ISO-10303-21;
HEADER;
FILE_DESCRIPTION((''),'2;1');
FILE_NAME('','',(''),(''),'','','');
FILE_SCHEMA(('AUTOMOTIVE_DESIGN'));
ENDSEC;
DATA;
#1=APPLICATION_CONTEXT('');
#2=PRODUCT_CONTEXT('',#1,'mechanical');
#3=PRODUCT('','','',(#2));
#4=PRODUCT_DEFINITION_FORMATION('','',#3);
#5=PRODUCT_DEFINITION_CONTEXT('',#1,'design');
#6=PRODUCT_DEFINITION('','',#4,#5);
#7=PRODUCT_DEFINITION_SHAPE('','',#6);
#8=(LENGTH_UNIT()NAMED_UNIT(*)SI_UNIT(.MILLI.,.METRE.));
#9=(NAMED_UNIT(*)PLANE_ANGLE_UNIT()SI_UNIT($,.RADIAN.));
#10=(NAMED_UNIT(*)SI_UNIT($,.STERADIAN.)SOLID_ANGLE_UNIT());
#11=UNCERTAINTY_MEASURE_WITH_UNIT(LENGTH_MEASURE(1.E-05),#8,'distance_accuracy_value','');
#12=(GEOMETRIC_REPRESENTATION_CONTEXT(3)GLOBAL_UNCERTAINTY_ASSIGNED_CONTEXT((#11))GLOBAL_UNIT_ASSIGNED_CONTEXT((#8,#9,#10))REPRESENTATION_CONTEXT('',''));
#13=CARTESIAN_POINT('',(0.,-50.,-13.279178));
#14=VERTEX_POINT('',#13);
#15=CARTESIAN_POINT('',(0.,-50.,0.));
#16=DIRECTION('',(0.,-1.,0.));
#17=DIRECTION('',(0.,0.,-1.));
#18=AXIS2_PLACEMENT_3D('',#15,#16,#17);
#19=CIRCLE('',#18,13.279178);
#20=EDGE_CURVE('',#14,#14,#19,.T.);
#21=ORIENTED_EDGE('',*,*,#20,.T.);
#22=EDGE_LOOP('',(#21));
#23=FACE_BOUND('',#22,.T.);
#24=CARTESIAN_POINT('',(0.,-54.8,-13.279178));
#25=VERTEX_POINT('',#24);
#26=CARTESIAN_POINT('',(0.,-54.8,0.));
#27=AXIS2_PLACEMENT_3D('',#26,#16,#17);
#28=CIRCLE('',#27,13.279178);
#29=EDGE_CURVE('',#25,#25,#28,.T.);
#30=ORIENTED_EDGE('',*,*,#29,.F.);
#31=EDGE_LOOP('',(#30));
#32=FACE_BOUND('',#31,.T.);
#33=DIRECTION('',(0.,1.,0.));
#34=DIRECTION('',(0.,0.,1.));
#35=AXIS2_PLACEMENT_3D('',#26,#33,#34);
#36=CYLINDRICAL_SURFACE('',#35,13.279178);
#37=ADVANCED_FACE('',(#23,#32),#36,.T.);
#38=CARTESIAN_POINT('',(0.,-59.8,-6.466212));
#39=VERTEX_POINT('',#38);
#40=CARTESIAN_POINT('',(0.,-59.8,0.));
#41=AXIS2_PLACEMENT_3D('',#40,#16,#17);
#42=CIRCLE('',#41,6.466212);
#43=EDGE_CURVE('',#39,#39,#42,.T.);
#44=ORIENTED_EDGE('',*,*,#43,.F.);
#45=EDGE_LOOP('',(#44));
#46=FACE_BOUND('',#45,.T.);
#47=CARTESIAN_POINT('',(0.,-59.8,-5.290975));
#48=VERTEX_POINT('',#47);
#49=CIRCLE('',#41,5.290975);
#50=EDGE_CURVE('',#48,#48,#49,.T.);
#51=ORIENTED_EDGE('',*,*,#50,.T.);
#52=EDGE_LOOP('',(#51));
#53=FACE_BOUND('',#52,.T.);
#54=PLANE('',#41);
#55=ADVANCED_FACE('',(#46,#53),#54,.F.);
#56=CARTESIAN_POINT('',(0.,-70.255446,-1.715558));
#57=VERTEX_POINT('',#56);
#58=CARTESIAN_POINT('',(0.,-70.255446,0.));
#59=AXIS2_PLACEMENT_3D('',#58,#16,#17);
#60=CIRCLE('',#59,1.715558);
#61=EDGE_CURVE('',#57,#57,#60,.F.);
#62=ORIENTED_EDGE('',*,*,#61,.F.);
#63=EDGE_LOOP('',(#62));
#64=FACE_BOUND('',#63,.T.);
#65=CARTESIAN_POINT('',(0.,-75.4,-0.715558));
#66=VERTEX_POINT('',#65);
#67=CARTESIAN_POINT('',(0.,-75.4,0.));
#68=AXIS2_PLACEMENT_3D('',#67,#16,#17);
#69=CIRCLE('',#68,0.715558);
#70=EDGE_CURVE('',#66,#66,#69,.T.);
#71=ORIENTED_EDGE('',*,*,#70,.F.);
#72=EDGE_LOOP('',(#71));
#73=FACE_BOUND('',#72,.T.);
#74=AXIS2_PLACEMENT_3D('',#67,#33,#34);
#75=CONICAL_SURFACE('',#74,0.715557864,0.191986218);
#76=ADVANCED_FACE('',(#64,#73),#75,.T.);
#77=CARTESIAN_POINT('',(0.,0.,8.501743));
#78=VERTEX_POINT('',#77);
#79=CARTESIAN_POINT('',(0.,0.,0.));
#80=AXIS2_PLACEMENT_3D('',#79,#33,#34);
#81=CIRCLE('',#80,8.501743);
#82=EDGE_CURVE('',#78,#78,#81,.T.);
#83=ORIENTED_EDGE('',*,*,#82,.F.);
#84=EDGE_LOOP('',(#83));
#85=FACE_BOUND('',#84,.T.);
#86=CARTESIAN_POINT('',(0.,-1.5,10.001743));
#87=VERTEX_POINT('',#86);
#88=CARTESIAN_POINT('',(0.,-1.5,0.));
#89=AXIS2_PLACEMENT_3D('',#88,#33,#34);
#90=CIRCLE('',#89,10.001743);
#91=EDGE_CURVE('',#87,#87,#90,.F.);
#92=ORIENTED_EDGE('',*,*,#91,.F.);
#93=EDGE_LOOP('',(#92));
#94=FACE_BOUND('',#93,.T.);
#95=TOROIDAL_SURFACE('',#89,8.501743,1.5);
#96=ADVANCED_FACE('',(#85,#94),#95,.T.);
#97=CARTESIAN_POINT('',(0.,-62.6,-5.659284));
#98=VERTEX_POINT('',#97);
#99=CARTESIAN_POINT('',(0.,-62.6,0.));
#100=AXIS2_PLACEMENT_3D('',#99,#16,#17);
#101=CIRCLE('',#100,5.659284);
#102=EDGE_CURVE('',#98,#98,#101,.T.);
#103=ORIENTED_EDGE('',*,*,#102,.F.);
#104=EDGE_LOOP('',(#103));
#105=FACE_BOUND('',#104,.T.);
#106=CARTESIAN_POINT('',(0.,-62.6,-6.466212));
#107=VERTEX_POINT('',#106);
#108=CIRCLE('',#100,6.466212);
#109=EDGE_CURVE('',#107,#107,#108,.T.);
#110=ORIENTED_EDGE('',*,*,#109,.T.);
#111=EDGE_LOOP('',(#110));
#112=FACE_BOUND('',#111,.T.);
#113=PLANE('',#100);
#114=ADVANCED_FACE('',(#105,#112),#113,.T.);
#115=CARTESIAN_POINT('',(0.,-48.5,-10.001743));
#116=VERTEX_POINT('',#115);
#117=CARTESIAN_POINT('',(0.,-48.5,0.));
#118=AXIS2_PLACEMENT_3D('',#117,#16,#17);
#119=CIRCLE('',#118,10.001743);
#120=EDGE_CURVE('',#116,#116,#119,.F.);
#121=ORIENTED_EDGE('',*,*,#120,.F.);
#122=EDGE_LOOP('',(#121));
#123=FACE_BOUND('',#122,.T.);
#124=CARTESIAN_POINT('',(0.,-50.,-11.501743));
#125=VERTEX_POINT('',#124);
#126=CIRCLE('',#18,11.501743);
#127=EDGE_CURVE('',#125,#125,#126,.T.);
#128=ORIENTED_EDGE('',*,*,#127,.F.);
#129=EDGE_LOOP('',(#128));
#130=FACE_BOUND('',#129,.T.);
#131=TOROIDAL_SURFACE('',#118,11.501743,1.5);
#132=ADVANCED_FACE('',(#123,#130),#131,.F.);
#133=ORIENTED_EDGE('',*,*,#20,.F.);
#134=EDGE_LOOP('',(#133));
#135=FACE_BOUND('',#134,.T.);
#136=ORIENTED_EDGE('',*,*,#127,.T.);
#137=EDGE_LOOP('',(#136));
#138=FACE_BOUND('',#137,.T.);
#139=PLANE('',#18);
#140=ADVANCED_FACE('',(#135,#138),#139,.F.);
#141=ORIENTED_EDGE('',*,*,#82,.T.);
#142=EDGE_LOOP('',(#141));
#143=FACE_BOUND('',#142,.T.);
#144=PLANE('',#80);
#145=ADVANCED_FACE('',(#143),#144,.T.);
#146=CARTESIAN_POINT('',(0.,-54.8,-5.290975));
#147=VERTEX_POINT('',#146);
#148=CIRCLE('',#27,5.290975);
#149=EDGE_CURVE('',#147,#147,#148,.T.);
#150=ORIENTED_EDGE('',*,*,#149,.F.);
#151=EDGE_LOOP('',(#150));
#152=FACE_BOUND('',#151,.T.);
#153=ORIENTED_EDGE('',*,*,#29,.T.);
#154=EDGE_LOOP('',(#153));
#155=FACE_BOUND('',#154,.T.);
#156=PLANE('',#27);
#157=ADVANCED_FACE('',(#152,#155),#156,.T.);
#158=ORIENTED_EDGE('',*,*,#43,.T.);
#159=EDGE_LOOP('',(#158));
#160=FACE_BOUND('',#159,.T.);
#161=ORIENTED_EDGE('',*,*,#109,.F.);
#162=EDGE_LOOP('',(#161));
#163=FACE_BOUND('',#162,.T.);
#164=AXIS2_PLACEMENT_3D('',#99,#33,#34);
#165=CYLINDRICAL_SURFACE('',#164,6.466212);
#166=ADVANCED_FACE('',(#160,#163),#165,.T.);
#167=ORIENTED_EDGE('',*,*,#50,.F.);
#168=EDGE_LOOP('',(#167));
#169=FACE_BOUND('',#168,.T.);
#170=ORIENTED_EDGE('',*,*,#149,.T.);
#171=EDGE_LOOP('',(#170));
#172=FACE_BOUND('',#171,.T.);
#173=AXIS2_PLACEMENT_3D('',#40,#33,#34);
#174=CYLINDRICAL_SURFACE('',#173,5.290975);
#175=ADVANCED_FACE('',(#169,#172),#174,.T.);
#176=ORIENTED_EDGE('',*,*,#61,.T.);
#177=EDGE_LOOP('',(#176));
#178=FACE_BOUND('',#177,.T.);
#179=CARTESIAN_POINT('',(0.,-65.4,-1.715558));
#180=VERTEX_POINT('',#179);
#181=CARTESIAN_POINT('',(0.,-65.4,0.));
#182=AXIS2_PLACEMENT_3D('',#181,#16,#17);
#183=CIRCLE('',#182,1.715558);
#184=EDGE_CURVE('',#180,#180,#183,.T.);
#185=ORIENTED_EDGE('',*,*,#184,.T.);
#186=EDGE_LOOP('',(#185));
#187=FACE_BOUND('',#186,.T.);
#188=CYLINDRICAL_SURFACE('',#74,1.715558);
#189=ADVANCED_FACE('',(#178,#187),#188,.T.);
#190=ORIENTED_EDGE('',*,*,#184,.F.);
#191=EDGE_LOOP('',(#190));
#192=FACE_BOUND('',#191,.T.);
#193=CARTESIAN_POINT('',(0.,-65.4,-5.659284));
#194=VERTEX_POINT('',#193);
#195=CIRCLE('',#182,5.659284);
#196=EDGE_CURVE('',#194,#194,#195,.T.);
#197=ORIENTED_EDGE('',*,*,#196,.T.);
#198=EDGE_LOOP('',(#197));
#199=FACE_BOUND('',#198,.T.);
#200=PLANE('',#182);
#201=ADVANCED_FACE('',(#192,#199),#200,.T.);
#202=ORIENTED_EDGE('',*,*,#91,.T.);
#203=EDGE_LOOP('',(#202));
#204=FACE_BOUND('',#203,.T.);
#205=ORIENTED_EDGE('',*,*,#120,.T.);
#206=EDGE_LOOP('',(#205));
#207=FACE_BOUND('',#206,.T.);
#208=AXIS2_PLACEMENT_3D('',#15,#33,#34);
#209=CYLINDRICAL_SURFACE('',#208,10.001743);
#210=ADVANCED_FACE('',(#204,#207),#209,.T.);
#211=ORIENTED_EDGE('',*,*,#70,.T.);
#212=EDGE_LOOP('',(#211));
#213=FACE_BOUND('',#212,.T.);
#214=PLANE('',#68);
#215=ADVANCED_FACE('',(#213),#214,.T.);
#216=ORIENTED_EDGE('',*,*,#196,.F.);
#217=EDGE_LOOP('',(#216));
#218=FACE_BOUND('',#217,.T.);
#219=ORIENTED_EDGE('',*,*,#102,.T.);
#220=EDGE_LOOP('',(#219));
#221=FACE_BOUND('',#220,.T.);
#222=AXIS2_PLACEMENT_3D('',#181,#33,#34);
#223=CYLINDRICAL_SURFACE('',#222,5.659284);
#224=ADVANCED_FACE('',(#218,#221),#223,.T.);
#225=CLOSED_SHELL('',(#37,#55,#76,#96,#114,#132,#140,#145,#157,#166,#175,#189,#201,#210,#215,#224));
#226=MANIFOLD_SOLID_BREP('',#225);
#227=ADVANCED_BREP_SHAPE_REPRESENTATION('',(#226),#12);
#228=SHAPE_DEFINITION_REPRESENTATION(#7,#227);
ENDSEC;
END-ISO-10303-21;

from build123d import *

# Parameters (mm, degrees)
SKETCH1_R           = 10.00174333
BOSS_EXTRUDE3_DEPTH = 50
SKETCH4_R           = 13.27917762
BOSS_EXTRUDE4_DEPTH = 4.8
FILLET1_R           = 1.5
SKETCH5_R           = 5.290974817
BOSS_EXTRUDE5_DEPTH = 5
SKETCH6_R           = 6.466211651
BOSS_EXTRUDE6_DEPTH = 2.8
SKETCH7_R           = 5.659284008
BOSS_EXTRUDE7_DEPTH = 2.8
SKETCH8_R           = 1.715557864
BOSS_EXTRUDE8_DEPTH = 10
CHAMFER1_SIZE       = 1
CHAMFER1_SIZE2      = 5.144554016


with BuildPart() as part:
    # Sketch1 → Boss-Extrude3 (new body)
    with BuildSketch(Plane(origin=(0, 0, 0), x_dir=(1, 0, 0), z_dir=(0, 1, 0))):
        with Locations(Location((0, 0, 0), (0, 0, 270))):
            Circle(SKETCH1_R)
    extrude(amount=-BOSS_EXTRUDE3_DEPTH)

    # Sketch4 → Boss-Extrude4 (add)
    with BuildSketch(Plane.XZ.offset(50)):
        with Locations(Location((0, 0, 0), (0, 0, 270))):
            Circle(SKETCH4_R)
    extrude(amount=BOSS_EXTRUDE4_DEPTH)

    # Fillet1
    fillet1_edges = [part.edges().sort_by_distance(p)[0] for p in [
        (0, 0, -10.00174333),
        (0, -50, -10.00174333),
    ]]
    fillet(fillet1_edges, radius=FILLET1_R)

    # Sketch5 → Boss-Extrude5 (add)
    with BuildSketch(Plane(origin=(0, -54.8, 0), x_dir=(-1, 0, 0), z_dir=(0, -1, 0))):
        with Locations(Location((0, 0, 0), (0, 0, 90))):
            Circle(SKETCH5_R)
    extrude(amount=BOSS_EXTRUDE5_DEPTH)

    # Sketch6 → Boss-Extrude6 (add)
    with BuildSketch(Plane(origin=(0, -59.8, 0), x_dir=(-1, 0, 0), z_dir=(0, -1, 0))):
        with Locations(Location((0, 0, 0), (0, 0, 90))):
            Circle(SKETCH6_R)
    extrude(amount=BOSS_EXTRUDE6_DEPTH)

    # Sketch7 → Boss-Extrude7 (add)
    with BuildSketch(Plane(origin=(0, -62.6, 0), x_dir=(-1, 0, 0), z_dir=(0, -1, 0))):
        with Locations(Location((0, 0, 0), (0, 0, 90))):
            Circle(SKETCH7_R)
    extrude(amount=BOSS_EXTRUDE7_DEPTH)

    # Sketch8 → Boss-Extrude8 (add)
    with BuildSketch(Plane.XZ.offset(65.4)):
        with Locations(Location((0, 0, 0), (0, 0, 270))):
            Circle(SKETCH8_R)
    extrude(amount=BOSS_EXTRUDE8_DEPTH)

    # Chamfer1
    chamfer1_edges = [part.edges().sort_by_distance(p)[0] for p in [
        (0, -75.4, 1.715557864),
    ]]
    chamfer1_side = [part.faces().sort_by_distance(p)[0] for p in [
        (0, -75.4, 0),
    ]]
    chamfer(chamfer1_edges, length=CHAMFER1_SIZE, length2=CHAMFER1_SIZE2, reference=chamfer1_side[0])


solid = part.part
